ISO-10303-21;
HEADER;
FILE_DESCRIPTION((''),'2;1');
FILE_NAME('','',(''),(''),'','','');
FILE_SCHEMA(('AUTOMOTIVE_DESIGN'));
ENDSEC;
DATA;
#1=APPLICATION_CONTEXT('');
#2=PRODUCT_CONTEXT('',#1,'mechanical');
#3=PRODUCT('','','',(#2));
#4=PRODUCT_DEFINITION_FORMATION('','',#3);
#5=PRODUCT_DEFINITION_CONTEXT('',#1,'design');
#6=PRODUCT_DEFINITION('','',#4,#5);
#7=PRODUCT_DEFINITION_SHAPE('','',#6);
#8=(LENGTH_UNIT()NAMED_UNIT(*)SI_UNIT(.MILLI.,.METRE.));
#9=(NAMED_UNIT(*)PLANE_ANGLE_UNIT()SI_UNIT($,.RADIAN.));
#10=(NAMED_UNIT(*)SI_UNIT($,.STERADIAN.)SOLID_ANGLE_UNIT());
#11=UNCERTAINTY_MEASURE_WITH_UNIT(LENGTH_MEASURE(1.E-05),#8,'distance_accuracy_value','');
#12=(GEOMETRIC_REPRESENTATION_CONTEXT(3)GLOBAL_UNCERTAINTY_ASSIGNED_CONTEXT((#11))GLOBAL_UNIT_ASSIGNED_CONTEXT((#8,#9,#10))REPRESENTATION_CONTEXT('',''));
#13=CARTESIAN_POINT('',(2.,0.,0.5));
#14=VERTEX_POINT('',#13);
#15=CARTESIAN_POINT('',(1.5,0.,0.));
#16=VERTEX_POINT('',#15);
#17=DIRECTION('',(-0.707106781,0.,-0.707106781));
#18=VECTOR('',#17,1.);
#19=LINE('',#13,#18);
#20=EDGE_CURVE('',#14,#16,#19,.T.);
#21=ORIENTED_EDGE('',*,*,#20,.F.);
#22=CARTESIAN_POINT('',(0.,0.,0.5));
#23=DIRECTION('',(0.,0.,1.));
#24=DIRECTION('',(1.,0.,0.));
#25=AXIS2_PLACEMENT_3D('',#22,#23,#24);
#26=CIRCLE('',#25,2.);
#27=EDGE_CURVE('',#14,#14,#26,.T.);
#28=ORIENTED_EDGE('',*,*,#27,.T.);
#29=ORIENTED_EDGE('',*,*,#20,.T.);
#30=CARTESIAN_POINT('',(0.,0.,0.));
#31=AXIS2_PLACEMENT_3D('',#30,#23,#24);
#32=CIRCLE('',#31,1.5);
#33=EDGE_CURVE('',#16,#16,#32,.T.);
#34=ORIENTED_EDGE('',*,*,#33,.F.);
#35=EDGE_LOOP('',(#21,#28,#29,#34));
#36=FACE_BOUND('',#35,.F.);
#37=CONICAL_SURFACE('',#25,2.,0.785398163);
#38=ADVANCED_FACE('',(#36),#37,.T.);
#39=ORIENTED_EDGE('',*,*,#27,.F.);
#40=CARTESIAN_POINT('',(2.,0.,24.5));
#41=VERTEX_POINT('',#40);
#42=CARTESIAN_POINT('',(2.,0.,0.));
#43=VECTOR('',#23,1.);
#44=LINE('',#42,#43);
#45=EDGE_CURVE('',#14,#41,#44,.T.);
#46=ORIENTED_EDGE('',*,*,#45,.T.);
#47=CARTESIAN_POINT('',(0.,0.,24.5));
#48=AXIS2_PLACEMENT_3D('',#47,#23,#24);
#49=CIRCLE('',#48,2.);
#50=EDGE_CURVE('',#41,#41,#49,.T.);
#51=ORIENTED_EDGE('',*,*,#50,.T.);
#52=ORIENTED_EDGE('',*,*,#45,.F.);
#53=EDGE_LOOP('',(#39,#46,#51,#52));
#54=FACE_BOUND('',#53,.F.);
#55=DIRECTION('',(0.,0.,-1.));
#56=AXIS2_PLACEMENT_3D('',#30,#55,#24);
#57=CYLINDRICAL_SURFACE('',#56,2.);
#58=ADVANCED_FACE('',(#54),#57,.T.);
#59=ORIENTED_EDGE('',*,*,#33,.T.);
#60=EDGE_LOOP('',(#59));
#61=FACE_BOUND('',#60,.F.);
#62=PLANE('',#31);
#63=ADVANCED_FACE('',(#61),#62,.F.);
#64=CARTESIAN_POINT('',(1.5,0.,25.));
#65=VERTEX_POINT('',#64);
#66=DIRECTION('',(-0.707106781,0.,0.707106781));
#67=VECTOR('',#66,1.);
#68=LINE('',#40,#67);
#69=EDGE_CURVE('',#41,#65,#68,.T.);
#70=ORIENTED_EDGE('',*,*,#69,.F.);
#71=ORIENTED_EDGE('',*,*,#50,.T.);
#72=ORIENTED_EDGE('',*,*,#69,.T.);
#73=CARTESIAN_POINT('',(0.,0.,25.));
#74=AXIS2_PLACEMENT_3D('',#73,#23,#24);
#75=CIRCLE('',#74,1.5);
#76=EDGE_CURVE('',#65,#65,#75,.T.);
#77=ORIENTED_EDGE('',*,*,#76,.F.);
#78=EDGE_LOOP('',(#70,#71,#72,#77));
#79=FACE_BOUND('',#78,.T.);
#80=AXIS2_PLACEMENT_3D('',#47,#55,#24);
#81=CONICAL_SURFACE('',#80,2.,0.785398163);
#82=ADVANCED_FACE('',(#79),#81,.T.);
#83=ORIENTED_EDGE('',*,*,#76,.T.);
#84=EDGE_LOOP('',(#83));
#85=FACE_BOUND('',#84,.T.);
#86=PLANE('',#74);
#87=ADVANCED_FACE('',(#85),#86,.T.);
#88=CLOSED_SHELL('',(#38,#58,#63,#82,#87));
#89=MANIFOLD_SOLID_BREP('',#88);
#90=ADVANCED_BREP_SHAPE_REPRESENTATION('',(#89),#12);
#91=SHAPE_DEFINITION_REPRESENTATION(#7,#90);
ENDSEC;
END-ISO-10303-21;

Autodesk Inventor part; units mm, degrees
ref_plane "YZ Plane" through (0, 0, 0) normal (1, 0, 0) x (0, 1, 0)
ref_plane "XZ Plane" through (0, 0, 0) normal (0, 1, 0) x (-1, 0, 0)
ref_plane "XY Plane" through (0, 0, 0) normal (0, 0, 1) x (1, 0, 0)
sketch "Skizze1" plane through (0, 0, 0) normal (0, 0, 1) x (1, 0, 0)
  circle A0 centre (0, 0) radius 2
  dimension "Breite" = 4
extrude "Extrusion1" add sketch "Skizze1" along normal blind 25
chamfer "Fase1" distance 0.5 angle 45 1 edges at (-2, 0, 0)
chamfer "Fase2" distance 0.5 angle 45 1 edges at (-2, 0, 25) measured on face at (1.9741, -0.3208, 16.8333)
properties part number "Stift"
